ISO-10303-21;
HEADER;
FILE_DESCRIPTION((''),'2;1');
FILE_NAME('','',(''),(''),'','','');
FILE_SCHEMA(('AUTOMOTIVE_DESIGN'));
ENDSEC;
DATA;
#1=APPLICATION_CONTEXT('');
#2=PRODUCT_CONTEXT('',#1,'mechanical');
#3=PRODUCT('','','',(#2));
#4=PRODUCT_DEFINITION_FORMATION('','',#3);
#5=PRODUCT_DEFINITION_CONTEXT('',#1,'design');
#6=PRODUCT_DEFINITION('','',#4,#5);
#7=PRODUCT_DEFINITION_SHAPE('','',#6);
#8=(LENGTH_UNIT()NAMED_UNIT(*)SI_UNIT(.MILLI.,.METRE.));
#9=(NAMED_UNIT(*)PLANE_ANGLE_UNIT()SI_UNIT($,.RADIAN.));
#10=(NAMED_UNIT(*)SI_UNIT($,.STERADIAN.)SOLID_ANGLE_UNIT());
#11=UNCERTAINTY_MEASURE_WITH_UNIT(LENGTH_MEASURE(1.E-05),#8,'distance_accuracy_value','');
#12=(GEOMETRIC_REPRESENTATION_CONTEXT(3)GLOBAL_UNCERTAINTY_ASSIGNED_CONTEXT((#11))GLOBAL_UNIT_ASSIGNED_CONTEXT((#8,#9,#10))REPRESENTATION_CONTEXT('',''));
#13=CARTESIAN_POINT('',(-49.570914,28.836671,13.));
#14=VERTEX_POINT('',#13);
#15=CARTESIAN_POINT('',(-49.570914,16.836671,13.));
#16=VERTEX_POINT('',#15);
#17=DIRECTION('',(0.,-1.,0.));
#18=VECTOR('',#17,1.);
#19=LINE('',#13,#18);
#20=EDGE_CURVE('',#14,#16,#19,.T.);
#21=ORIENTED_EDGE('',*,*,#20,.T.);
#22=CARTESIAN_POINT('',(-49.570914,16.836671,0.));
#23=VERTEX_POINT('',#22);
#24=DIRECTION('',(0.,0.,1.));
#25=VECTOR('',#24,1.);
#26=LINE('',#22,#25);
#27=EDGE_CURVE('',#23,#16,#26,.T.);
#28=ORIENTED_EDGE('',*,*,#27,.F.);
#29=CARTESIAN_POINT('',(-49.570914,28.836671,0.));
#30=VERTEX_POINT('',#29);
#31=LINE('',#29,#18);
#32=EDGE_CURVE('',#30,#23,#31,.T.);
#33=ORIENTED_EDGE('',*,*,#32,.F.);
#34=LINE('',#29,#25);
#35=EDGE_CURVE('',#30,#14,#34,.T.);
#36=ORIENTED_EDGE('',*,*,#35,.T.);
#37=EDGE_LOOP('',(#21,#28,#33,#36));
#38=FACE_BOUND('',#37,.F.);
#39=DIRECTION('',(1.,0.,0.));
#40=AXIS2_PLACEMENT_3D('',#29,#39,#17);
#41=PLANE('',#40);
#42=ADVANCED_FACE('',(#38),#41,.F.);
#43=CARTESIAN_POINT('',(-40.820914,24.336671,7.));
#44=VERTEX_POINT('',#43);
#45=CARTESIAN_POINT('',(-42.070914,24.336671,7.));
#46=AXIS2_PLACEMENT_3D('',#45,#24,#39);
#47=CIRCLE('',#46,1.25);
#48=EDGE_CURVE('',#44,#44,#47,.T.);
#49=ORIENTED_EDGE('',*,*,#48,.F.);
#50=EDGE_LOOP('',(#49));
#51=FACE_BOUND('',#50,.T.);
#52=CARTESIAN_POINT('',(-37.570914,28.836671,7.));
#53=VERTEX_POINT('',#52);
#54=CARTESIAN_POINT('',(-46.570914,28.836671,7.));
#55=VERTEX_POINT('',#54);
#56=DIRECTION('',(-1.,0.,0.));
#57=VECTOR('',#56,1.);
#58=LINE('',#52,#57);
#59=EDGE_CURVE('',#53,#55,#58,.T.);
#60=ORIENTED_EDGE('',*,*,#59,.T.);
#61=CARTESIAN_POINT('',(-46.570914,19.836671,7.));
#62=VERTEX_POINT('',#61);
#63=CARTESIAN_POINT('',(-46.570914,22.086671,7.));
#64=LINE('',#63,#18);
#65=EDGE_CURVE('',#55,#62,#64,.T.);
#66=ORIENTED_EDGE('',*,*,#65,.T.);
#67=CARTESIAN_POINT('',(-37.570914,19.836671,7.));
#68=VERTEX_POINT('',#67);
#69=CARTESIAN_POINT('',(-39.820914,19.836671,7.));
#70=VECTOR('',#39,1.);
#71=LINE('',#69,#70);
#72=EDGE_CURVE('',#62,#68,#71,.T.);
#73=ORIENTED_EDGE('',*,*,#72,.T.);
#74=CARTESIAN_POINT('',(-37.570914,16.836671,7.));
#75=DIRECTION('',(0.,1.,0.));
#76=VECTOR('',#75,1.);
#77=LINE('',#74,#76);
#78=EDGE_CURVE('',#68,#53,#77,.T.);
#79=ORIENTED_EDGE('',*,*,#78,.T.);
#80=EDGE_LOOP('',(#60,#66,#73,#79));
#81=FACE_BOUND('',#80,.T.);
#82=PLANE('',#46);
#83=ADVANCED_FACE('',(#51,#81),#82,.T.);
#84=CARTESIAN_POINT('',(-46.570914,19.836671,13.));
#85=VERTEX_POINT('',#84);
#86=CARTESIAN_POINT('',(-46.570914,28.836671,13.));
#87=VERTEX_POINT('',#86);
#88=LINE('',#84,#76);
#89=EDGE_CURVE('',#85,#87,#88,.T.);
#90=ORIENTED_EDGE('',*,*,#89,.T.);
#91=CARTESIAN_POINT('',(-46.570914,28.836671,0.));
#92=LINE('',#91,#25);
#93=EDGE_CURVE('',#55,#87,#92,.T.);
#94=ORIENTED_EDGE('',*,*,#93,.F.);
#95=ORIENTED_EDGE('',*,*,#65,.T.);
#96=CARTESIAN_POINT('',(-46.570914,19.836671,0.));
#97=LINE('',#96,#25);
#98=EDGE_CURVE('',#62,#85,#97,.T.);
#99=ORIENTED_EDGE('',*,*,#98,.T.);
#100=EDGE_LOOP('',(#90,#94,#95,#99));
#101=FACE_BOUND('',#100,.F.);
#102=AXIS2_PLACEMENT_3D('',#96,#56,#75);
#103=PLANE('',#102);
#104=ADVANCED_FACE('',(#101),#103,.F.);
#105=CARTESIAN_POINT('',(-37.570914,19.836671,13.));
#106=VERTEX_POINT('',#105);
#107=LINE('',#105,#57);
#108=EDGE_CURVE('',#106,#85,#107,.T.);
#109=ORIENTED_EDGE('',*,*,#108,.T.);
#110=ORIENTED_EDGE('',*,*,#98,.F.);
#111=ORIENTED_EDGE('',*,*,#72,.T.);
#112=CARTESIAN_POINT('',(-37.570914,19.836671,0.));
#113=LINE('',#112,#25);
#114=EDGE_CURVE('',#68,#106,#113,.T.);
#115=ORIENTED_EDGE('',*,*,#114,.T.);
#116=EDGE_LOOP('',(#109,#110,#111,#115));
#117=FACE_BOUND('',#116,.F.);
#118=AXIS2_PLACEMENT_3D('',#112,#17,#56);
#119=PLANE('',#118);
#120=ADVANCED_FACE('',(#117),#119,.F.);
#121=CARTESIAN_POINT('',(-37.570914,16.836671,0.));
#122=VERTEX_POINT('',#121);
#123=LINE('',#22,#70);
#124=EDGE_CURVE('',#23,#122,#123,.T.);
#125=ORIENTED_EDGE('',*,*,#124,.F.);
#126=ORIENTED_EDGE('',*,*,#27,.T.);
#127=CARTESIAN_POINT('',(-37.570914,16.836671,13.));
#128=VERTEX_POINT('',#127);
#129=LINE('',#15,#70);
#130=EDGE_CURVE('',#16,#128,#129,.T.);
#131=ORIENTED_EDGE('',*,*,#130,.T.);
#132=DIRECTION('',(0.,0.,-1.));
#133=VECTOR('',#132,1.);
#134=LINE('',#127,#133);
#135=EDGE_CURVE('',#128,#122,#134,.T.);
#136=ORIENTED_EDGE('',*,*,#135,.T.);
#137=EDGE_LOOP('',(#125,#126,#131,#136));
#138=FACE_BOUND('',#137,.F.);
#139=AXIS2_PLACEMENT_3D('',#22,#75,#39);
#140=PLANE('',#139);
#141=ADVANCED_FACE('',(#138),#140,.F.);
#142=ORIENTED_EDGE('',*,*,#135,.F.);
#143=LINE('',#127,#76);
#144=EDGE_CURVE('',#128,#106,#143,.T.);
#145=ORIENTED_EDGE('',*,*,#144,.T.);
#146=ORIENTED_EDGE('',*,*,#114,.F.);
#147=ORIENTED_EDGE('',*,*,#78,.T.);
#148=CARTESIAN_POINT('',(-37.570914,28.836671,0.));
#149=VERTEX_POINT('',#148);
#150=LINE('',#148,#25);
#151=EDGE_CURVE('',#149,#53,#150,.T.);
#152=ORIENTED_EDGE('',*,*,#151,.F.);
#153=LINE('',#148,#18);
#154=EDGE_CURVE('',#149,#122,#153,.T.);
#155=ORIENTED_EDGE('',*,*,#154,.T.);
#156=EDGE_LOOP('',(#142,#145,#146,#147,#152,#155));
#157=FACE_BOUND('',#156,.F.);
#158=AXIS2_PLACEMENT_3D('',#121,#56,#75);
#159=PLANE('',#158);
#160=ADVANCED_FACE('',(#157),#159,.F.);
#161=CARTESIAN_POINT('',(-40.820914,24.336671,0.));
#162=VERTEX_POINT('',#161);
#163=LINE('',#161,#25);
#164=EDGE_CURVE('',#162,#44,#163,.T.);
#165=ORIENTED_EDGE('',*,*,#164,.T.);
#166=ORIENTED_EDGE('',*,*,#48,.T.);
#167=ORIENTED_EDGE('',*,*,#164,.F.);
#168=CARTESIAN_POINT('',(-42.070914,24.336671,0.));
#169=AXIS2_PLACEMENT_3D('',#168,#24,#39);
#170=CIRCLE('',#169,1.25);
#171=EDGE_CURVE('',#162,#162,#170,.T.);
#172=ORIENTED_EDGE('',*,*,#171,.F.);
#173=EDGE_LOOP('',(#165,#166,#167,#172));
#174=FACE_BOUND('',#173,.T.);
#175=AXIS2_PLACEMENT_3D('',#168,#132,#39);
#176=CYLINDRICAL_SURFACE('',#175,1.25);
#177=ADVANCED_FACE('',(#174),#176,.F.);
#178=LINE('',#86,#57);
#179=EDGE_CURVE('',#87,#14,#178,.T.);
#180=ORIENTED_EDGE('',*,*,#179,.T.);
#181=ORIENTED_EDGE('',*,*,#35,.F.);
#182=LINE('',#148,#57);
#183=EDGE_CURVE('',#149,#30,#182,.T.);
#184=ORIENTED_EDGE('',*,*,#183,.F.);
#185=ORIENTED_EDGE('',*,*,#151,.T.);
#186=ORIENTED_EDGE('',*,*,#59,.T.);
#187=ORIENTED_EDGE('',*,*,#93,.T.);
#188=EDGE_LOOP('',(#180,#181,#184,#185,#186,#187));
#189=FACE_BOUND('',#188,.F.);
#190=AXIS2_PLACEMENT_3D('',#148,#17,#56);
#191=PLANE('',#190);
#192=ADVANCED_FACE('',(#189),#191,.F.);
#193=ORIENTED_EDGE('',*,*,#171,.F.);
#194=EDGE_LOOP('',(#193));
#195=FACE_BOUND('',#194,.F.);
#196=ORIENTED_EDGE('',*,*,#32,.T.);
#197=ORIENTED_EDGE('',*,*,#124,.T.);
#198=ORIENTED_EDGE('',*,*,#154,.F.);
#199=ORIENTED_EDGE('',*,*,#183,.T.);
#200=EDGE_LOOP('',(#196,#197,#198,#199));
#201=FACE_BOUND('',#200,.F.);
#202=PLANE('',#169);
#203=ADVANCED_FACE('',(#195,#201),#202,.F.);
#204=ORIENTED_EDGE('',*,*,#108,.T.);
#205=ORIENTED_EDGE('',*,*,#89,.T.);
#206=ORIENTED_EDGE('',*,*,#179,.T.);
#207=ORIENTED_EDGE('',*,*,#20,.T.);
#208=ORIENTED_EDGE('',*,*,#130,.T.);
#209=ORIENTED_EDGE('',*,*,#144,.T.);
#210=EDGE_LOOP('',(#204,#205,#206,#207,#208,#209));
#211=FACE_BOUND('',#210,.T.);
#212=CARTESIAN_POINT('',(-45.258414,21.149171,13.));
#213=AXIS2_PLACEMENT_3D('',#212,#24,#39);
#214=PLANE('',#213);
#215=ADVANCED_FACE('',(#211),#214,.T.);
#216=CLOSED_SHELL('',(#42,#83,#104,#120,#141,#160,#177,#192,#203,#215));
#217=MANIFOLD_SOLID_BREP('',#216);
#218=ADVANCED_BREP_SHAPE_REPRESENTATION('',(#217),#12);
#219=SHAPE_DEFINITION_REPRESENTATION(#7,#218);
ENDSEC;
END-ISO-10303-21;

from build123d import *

# Parameters (mm, degrees)
F0_W     = 9
F0_H     = 9
F0_R     = 1.25
F1_DEPTH = 7
F2_DEPTH = 13


with BuildPart() as f1:
    # F0 (on Top) → F1 (new body)
    with BuildSketch(Plane.XY):
        with Locations((-42.070914, 24.336671)):
            Rectangle(F0_W, F0_H)
        with Locations((-42.070914, 24.336671)):
            Circle(F0_R, mode=Mode.SUBTRACT)
        Polygon((-49.570914, 16.836671), (-37.570914, 16.836671), (-37.570914, 19.836671), (-46.570914, 19.836671), (-46.570914, 28.836671), (-49.570914, 28.836671), align=None)
    extrude(amount=F1_DEPTH)

    # F0 (on Top) → F2 (join)
    with BuildSketch(Plane.XY):
        Polygon((-49.570914, 16.836671), (-37.570914, 16.836671), (-37.570914, 19.836671), (-46.570914, 19.836671), (-46.570914, 28.836671), (-49.570914, 28.836671), align=None)
    extrude(amount=F2_DEPTH)


solid = f1.part
